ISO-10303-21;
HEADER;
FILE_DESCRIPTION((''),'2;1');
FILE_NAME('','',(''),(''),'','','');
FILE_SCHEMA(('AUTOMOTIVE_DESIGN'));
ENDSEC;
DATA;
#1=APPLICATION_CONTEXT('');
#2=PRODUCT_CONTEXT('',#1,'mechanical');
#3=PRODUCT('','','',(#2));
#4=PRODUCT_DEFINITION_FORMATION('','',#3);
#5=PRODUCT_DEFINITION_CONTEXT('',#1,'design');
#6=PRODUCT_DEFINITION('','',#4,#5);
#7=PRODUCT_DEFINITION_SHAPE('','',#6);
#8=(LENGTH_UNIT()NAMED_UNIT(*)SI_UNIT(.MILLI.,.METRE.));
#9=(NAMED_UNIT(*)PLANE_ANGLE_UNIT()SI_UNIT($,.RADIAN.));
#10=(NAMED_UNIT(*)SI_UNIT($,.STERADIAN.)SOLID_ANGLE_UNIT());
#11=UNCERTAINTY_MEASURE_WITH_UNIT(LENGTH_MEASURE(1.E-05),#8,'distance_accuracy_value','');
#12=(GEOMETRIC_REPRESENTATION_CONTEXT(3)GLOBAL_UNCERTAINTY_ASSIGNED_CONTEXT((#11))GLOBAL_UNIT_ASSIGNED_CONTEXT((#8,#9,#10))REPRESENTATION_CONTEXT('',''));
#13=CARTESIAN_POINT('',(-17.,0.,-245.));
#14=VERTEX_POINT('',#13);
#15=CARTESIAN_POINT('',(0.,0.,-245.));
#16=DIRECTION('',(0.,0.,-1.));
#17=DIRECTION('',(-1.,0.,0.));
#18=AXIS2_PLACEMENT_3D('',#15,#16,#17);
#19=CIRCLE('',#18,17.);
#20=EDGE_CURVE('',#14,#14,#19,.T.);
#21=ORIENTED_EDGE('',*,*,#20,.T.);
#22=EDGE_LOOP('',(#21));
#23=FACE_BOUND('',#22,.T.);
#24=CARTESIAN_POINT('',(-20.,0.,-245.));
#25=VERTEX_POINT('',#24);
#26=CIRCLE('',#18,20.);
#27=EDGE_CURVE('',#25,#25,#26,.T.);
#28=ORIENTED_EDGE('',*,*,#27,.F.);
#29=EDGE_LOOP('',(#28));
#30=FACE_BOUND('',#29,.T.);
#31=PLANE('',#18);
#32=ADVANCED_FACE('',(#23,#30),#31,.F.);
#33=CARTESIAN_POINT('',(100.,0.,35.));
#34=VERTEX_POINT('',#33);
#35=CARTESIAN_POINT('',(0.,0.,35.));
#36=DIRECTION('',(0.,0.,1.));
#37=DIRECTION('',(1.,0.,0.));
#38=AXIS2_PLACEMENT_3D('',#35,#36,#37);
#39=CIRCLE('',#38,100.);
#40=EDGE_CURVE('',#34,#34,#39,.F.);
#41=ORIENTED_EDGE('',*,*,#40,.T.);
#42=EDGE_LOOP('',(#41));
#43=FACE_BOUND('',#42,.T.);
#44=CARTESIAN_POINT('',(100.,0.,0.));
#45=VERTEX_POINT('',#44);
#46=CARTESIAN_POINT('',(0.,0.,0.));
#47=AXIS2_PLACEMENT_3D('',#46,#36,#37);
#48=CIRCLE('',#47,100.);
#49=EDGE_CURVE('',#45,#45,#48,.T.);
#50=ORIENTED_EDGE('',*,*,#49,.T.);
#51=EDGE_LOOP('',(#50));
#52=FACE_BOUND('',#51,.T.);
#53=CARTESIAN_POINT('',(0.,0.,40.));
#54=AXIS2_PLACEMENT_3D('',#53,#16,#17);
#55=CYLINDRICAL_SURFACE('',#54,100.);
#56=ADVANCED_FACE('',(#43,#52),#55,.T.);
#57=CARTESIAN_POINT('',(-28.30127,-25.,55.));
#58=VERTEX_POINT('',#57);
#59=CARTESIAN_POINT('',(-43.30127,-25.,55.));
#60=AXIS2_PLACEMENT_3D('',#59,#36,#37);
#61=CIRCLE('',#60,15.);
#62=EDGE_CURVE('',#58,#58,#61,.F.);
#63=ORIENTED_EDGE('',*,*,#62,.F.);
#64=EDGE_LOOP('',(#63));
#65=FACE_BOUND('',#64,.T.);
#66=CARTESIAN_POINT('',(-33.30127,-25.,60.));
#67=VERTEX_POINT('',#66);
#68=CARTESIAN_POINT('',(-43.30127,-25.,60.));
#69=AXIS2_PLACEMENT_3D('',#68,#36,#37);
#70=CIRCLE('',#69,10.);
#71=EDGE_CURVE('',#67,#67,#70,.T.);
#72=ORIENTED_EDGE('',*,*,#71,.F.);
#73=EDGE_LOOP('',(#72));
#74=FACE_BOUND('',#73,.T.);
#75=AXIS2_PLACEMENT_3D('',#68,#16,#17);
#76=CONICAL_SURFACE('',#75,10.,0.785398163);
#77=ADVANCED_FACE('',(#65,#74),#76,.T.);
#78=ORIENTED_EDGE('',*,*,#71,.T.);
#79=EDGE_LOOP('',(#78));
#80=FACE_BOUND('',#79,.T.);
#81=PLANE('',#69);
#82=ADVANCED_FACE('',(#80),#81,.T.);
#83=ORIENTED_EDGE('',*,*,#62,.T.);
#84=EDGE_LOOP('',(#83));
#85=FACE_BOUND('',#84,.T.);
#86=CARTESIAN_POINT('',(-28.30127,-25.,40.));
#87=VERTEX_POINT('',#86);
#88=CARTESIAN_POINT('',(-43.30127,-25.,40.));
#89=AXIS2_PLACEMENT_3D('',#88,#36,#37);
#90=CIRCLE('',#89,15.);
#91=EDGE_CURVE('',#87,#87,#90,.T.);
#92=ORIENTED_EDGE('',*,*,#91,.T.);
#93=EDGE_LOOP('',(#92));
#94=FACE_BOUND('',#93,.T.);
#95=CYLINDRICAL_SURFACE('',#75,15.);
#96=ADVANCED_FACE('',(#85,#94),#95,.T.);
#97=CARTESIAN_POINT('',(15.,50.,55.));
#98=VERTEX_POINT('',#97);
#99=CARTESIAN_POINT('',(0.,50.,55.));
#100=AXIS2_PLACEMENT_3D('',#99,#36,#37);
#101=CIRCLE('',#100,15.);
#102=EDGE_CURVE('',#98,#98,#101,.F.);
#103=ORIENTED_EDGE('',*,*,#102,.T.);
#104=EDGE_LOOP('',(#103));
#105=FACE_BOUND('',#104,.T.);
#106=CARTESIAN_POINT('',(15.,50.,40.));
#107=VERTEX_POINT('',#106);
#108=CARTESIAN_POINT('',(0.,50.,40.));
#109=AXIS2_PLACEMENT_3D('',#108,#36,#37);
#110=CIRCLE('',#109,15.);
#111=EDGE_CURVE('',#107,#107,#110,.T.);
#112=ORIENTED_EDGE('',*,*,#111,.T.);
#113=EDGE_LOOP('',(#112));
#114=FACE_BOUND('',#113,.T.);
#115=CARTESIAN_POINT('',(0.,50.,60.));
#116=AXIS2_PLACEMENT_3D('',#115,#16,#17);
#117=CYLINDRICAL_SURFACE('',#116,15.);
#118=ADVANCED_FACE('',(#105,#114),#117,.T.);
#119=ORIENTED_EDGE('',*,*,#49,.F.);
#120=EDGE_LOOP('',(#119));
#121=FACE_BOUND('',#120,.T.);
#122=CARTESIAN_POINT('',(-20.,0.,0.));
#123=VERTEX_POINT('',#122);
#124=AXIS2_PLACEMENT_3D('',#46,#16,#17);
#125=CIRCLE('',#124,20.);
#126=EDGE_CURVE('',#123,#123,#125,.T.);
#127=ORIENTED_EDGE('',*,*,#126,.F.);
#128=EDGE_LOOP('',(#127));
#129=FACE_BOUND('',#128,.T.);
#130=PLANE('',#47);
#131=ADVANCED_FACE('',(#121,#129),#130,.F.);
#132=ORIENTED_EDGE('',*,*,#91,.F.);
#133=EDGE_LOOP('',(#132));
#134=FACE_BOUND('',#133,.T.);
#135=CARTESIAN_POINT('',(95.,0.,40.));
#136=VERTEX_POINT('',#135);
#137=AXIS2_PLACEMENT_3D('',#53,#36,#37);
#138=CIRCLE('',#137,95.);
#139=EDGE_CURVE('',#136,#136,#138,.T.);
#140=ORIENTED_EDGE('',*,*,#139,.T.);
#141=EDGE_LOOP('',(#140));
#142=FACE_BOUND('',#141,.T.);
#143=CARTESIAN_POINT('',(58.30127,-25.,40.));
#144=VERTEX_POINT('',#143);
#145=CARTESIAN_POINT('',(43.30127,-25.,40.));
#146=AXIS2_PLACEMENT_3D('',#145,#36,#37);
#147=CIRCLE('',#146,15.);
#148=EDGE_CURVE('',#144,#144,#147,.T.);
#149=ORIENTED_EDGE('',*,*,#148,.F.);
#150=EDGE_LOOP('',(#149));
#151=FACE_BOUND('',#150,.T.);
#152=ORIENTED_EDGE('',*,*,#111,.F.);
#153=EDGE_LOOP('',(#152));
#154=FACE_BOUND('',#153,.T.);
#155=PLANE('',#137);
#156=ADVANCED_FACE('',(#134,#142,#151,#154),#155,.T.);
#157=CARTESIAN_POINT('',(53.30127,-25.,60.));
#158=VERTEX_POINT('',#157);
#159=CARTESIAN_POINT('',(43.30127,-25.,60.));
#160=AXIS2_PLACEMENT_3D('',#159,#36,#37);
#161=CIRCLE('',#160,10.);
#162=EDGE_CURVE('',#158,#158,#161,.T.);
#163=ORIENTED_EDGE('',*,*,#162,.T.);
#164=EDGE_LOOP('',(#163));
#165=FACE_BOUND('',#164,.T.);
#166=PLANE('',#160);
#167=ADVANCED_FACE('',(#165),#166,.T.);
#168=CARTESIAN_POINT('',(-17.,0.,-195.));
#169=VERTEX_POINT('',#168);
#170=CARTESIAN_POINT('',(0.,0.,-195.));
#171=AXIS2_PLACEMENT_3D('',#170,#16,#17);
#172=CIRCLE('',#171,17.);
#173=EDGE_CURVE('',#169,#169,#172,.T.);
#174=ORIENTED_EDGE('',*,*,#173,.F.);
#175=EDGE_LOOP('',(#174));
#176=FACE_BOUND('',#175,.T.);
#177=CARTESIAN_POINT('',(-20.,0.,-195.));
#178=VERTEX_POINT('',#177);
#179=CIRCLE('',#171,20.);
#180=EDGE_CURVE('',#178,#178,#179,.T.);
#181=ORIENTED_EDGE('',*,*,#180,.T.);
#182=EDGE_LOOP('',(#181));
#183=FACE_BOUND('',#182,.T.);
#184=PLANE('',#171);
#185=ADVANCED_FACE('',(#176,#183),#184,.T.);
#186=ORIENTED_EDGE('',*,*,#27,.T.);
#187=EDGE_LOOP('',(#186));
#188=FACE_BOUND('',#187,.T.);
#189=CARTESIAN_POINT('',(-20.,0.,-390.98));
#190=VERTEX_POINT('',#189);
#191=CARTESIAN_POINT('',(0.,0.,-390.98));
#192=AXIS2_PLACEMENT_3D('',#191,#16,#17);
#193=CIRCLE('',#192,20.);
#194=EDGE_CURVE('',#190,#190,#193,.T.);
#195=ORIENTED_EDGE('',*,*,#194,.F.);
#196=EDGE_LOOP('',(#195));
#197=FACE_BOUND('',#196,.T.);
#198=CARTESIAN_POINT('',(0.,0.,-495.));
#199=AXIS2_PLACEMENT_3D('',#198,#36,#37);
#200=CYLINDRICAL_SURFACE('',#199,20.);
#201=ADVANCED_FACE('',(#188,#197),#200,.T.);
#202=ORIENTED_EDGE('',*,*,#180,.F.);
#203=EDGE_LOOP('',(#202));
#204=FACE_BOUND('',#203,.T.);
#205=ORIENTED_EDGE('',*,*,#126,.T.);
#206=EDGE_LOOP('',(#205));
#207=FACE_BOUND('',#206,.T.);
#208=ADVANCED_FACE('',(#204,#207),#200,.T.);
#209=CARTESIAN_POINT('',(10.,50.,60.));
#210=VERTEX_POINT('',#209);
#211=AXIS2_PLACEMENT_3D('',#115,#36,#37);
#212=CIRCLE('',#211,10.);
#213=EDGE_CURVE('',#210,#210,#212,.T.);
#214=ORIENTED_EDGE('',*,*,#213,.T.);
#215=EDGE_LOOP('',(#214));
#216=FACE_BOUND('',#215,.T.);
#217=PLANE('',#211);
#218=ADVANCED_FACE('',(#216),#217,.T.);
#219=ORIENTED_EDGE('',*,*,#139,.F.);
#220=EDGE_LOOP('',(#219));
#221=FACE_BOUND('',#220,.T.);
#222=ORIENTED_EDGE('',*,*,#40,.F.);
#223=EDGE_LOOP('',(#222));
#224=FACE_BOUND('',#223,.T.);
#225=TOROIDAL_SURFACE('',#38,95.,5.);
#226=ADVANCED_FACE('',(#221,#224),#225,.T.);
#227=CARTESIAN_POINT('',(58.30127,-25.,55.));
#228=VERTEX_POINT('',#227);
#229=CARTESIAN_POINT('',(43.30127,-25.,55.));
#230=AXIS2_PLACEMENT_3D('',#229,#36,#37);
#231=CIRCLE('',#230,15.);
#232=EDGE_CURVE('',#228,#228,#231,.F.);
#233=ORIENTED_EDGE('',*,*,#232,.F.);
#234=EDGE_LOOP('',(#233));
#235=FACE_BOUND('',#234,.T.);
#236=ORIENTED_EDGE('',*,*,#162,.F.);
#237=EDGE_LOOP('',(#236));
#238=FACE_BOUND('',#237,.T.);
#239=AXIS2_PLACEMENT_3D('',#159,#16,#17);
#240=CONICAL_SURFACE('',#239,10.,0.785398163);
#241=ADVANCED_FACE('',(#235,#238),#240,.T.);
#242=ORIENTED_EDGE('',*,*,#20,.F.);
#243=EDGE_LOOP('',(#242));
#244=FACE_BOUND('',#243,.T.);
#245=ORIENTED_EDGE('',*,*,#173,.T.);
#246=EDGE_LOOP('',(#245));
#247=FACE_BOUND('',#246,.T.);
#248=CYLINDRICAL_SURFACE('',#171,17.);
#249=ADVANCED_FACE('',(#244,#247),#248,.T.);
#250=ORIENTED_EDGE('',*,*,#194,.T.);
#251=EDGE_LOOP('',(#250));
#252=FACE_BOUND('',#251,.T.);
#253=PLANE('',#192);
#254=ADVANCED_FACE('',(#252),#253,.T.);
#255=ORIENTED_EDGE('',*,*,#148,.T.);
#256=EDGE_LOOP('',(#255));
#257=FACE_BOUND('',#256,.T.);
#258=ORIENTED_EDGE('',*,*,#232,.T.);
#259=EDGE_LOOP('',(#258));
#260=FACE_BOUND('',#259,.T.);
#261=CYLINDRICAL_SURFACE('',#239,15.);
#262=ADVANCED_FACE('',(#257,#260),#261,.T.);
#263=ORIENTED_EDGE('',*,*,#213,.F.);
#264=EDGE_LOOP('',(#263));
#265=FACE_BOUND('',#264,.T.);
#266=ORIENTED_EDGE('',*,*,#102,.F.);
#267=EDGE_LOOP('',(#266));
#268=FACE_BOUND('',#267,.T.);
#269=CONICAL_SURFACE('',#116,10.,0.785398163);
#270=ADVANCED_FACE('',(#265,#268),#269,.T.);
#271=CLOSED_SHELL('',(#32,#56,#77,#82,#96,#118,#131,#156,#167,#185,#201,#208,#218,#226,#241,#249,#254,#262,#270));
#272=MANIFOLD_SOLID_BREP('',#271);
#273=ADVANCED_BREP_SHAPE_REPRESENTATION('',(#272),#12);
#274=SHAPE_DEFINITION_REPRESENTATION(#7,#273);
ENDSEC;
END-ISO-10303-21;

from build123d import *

# Parameters (mm, degrees)
SKETCH1_R           = 100
BOSS_EXTRUDE1_DEPTH = 40
SKETCH2_R           = 15
BOSS_EXTRUDE2_DEPTH = 20
SKETCH3_R           = 20
BOSS_EXTRUDE3_DEPTH = 495
CUT_EXTRUDE1_START  = -250
SKETCH4_OUTSIDE_W   = 326.584
SKETCH4_OUTSIDE_H   = 326.584
SKETCH4_OUTSIDE_R   = 17
CUT_EXTRUDE1_DEPTH  = 50
CHAMFER1_SIZE       = 5
FILLET1_R           = 5
CUT_EXTRUDE2_START  = -104.02
SKETCH5_R           = 20
CUT_EXTRUDE2_DEPTH  = 104.02


with BuildPart() as part:
    # Sketch1 → Boss-Extrude1 (new body)
    with BuildSketch(Plane.XY):
        Circle(SKETCH1_R)
    extrude(amount=BOSS_EXTRUDE1_DEPTH)

    # Sketch2 → Boss-Extrude2 (add)
    with BuildSketch(Plane.XY.offset(40)):
        with Locations((0, 50)):
            Circle(SKETCH2_R)
        with Locations((43.301270189, -25)):
            Circle(SKETCH2_R)
        with Locations((-43.301270189, -25)):
            Circle(SKETCH2_R)
    extrude(amount=BOSS_EXTRUDE2_DEPTH)

    # Sketch3 → Boss-Extrude3 (add)
    with BuildSketch(Plane(origin=(0, 0, 0), x_dir=(-1, 0, 0), z_dir=(0, 0, -1))):
        Circle(SKETCH3_R)
    extrude(amount=BOSS_EXTRUDE3_DEPTH)

    # Sketch4 outside → Cut-Extrude1 (cut)
    with BuildSketch(Plane(origin=(0, 0, -495), x_dir=(-1, 0, 0), z_dir=(0, 0, -1)).offset(CUT_EXTRUDE1_START)):
        Rectangle(SKETCH4_OUTSIDE_W, SKETCH4_OUTSIDE_H)
        Circle(SKETCH4_OUTSIDE_R, mode=Mode.SUBTRACT)
    extrude(amount=-CUT_EXTRUDE1_DEPTH, mode=Mode.SUBTRACT)

    # Chamfer1
    chamfer1_edges = [part.edges().sort_by_distance(p)[0] for p in [
        (-58.301270189, -25, 60),
        (-15, 50, 60),
        (28.301270189, -25, 60),
    ]]
    chamfer(chamfer1_edges, length=CHAMFER1_SIZE)

    # Fillet1
    fillet1_edges = [part.edges().sort_by_distance(p)[0] for p in [
        (-100, 0, 40),
    ]]
    fillet(fillet1_edges, radius=FILLET1_R)

    # Sketch5 → Cut-Extrude2 (cut)
    with BuildSketch(Plane(origin=(0, 0, -495), x_dir=(-1, 0, 0), z_dir=(0, 0, -1)).offset(CUT_EXTRUDE2_START)):
        Circle(SKETCH5_R)
    extrude(amount=CUT_EXTRUDE2_DEPTH, mode=Mode.SUBTRACT)


solid = part.part
